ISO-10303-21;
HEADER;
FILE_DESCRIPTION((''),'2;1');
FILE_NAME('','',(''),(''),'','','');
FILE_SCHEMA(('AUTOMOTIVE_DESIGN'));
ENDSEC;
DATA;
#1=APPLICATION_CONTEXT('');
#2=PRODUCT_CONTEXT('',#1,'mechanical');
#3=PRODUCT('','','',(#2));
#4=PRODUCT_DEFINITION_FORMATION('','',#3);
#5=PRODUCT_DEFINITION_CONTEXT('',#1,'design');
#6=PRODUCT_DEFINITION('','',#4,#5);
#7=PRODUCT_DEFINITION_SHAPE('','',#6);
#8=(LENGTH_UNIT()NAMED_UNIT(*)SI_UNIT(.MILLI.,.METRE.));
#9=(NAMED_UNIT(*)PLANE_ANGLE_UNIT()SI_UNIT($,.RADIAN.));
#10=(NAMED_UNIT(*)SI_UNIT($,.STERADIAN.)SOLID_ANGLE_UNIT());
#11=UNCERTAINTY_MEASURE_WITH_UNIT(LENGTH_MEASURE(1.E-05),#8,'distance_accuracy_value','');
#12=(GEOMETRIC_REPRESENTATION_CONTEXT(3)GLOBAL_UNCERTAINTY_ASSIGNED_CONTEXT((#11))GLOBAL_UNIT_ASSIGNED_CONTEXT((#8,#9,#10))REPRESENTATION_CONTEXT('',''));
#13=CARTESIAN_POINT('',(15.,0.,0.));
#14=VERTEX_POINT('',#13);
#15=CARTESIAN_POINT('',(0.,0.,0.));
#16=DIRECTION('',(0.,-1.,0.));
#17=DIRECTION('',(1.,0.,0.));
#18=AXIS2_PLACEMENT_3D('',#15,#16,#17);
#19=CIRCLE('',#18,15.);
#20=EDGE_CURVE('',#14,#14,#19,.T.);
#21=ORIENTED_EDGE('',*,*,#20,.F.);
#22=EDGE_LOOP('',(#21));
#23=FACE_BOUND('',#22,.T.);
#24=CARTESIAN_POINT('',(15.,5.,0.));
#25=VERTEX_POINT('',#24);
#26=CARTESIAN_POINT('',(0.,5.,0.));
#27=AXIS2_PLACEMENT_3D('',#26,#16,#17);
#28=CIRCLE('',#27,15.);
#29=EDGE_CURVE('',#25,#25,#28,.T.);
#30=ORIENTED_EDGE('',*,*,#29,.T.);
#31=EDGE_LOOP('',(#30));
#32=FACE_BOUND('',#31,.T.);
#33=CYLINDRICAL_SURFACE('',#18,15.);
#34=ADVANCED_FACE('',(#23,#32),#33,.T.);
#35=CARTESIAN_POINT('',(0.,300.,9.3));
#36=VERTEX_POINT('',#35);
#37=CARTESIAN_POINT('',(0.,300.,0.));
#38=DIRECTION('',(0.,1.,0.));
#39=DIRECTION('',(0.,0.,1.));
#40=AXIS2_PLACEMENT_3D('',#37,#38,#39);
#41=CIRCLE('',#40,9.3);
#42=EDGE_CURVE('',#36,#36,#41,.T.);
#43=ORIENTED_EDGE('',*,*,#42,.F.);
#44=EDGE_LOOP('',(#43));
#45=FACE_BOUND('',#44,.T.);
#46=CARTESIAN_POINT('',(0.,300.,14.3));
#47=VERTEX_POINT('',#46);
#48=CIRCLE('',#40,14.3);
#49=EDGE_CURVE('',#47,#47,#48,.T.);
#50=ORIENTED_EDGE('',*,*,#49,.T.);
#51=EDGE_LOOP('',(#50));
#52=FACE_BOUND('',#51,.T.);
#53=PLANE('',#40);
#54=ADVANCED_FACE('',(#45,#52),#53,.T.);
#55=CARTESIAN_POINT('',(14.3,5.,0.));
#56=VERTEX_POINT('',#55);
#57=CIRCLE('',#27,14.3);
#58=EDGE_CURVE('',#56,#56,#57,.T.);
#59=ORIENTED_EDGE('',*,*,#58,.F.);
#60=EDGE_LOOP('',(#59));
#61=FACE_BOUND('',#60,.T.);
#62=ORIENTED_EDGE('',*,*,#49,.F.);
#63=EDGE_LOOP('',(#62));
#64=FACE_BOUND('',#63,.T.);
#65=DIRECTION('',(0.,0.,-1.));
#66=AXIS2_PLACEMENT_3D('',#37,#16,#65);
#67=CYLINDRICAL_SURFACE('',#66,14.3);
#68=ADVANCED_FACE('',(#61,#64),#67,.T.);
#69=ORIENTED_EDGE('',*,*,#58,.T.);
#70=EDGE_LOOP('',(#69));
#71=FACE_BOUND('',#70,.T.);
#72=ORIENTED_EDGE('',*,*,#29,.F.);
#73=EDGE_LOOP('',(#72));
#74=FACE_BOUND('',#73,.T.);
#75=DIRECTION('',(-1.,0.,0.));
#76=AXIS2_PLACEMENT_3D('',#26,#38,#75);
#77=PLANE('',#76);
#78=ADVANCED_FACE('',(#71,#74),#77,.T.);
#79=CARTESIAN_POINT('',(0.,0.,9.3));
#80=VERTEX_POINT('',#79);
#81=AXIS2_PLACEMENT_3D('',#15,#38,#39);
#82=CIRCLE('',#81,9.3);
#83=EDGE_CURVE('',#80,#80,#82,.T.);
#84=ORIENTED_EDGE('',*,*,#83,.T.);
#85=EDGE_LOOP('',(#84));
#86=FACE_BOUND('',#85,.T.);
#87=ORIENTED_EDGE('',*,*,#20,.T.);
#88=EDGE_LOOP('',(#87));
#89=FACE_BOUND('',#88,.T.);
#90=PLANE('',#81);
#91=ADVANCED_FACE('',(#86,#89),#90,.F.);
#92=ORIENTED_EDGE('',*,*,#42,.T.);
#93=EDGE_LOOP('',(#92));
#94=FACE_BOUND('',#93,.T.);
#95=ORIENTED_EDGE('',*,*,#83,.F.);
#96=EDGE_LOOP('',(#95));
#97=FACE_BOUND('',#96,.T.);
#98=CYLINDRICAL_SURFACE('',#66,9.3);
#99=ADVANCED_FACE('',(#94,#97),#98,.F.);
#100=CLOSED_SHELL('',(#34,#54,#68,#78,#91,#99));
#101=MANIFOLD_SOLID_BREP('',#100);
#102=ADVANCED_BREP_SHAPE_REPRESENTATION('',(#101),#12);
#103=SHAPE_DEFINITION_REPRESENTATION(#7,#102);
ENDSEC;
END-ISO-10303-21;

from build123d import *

# Parameters (mm, degrees)
SKETCH1_R           = 14.3
SKETCH1_R_2         = 9.3
BOSS_EXTRUDE1_DEPTH = 300
SKETCH2_W           = 0.7
SKETCH2_H           = 5


with BuildPart() as part:
    # Sketch1 → Boss-Extrude1 (new body)
    with BuildSketch(Plane(origin=(0, 0, 0), x_dir=(1, 0, 0), z_dir=(0, 1, 0))):
        Circle(SKETCH1_R)
        Circle(SKETCH1_R_2, mode=Mode.SUBTRACT)
    extrude(amount=BOSS_EXTRUDE1_DEPTH)

    # Sketch2 → Revolve1 (revolve)
    with BuildSketch(Plane.XY):
        with Locations((-14.65, 2.5)):
            Rectangle(SKETCH2_W, SKETCH2_H)
    revolve(axis=Axis((0, 0, 0), (0, 1, 0)))


solid = part.part
